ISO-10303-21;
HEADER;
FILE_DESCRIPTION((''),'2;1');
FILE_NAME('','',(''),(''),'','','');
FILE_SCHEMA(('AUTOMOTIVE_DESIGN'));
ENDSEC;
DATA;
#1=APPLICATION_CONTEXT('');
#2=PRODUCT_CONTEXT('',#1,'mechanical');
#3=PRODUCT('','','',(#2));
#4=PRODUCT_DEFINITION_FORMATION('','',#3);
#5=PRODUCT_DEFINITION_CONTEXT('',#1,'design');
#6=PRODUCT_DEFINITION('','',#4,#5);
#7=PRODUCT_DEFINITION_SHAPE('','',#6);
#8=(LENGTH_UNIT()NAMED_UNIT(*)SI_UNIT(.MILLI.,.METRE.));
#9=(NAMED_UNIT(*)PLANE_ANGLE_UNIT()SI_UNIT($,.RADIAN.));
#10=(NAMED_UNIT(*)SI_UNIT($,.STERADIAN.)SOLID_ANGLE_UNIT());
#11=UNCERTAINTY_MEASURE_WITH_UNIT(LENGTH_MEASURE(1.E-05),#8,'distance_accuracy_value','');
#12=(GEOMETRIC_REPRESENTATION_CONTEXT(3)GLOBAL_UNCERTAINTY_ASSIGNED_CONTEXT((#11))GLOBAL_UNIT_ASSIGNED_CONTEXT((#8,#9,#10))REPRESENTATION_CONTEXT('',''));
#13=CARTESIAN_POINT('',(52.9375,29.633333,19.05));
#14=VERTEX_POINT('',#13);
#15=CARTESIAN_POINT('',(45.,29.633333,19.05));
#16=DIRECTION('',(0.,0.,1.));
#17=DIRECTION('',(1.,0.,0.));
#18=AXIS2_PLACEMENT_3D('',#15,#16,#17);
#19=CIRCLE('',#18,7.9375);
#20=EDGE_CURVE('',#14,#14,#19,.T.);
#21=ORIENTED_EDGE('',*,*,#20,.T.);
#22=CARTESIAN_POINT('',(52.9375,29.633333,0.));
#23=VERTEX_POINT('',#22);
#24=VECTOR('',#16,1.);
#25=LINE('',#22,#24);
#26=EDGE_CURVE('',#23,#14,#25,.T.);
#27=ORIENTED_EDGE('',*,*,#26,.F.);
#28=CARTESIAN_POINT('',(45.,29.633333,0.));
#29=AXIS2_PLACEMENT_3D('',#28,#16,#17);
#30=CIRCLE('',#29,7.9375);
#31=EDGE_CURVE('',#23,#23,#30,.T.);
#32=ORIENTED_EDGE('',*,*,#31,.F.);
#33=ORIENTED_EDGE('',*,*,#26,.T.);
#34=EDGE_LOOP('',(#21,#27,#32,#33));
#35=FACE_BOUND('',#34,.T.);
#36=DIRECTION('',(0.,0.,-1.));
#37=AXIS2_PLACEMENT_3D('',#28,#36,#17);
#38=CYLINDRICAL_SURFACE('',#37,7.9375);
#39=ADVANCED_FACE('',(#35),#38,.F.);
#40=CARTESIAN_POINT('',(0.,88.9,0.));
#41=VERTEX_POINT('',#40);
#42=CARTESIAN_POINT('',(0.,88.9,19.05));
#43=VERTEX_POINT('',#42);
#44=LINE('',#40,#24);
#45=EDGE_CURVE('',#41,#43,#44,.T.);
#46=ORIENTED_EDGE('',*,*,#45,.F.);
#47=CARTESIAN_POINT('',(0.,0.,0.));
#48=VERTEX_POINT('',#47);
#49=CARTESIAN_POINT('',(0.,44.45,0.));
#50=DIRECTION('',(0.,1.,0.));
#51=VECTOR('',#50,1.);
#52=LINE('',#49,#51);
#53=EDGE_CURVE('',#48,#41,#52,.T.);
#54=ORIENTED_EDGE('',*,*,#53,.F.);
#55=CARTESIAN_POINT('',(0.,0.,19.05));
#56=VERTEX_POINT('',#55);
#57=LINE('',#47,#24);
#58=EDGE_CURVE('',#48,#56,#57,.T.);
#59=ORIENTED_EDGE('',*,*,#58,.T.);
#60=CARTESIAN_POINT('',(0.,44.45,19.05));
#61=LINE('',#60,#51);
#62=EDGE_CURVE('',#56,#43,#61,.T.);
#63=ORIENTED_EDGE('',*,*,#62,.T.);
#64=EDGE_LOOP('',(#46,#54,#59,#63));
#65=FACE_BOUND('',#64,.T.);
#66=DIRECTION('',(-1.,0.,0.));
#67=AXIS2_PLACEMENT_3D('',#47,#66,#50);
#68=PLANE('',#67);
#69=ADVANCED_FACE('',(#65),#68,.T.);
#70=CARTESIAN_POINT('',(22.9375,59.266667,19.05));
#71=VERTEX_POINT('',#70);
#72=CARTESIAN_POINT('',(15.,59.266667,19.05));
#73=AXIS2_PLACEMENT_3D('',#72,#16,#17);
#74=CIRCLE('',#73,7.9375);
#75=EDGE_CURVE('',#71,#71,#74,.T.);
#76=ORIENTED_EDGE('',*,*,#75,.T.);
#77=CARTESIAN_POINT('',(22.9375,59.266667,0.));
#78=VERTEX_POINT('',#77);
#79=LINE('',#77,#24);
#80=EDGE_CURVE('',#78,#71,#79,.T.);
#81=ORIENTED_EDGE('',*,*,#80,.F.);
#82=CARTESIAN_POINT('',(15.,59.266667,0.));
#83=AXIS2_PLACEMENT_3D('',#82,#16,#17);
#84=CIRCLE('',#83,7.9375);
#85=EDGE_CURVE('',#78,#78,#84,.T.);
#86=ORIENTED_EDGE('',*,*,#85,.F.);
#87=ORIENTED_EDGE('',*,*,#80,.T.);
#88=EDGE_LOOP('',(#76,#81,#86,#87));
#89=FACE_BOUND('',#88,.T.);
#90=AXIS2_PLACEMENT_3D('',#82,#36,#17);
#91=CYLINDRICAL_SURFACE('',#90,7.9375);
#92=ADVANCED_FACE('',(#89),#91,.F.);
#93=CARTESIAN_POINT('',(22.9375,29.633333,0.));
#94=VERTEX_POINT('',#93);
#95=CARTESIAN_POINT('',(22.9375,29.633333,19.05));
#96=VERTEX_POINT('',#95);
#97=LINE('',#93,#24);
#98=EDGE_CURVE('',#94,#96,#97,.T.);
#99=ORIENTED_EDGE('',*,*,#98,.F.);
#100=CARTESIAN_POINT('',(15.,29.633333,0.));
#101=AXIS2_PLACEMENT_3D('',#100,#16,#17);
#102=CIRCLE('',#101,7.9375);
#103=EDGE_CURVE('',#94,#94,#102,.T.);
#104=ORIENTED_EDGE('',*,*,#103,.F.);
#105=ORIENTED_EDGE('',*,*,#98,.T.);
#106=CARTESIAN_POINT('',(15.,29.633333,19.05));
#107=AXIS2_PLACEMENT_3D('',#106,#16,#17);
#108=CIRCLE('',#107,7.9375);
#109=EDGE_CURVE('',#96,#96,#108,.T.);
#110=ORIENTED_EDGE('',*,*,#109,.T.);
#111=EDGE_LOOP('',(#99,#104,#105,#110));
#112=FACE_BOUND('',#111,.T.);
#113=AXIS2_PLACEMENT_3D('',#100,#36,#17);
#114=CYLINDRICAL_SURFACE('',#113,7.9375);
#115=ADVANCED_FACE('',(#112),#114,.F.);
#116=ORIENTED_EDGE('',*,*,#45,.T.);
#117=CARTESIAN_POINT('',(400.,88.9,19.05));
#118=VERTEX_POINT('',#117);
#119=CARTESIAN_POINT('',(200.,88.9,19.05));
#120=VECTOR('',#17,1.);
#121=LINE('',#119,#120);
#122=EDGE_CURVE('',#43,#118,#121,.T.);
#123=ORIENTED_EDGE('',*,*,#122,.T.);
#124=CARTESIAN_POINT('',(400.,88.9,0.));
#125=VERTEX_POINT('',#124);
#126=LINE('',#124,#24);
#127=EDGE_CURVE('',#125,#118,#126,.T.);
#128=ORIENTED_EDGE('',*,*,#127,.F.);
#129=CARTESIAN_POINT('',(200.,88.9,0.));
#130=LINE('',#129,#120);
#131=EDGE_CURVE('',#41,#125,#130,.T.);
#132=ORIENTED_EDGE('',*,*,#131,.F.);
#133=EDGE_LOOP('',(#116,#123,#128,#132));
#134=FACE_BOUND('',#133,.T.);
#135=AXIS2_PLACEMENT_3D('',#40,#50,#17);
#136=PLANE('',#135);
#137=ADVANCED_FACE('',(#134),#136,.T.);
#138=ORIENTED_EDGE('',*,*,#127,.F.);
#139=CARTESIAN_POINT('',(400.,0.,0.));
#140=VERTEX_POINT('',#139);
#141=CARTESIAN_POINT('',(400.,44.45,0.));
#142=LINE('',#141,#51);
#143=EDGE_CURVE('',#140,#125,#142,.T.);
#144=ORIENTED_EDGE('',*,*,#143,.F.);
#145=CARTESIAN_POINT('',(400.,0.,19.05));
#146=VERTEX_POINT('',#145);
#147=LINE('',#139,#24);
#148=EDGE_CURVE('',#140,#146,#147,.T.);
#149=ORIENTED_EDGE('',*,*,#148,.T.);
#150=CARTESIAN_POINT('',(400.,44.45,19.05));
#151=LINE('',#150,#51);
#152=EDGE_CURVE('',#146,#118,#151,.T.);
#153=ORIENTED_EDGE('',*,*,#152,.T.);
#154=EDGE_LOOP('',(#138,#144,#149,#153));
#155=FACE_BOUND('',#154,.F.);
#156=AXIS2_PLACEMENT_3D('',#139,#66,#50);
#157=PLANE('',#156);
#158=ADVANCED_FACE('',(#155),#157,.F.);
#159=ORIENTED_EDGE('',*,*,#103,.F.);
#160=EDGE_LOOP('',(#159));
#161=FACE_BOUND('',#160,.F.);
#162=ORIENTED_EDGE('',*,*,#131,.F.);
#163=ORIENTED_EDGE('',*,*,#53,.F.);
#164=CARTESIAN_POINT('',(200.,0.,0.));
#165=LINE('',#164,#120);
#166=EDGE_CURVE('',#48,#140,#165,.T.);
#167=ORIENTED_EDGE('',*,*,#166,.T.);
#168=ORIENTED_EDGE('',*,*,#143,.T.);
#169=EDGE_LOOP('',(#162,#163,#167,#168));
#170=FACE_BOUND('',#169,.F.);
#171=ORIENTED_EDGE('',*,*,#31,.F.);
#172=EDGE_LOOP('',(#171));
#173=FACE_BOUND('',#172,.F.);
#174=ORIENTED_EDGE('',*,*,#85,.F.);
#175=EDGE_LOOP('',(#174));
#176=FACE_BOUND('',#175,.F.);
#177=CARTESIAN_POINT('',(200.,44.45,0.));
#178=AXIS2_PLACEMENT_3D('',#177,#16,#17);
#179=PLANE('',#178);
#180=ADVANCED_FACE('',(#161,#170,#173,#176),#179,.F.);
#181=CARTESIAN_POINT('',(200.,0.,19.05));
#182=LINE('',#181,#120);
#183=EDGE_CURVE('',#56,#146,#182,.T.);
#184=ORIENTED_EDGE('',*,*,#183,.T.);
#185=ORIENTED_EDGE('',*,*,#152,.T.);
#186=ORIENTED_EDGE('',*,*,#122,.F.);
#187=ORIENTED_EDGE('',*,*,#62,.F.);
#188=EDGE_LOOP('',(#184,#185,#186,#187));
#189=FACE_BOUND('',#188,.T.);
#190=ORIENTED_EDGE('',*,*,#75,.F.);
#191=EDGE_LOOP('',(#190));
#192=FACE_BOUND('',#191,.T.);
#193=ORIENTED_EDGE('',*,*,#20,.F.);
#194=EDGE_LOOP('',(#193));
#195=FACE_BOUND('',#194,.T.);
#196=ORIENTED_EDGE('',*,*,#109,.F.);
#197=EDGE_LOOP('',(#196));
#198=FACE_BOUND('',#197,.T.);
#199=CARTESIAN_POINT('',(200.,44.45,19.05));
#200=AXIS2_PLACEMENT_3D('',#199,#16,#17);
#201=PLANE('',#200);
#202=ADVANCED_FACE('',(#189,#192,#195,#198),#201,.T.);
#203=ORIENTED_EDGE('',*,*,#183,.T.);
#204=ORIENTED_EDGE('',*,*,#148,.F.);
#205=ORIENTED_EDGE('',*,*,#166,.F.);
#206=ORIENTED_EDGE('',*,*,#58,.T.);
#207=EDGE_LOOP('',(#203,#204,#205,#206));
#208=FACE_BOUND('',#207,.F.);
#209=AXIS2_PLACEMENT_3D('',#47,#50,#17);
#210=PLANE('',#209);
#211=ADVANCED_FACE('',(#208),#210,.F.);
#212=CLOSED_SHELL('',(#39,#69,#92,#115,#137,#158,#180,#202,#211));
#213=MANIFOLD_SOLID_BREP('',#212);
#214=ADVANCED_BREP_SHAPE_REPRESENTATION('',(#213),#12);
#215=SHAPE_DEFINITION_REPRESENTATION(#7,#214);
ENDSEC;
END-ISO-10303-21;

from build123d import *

# Parameters (mm, degrees)
SKETCH_W  = 400
SKETCH_H  = 88.9
SKETCH_R  = 7.9375
PAD_DEPTH = 19.05


with BuildPart() as part:
    # Sketch → Pad (new body)
    with BuildSketch(Plane.XY):
        with Locations((200, 44.45)):
            Rectangle(SKETCH_W, SKETCH_H)
        with Locations((15, 29.633333)):
            Circle(SKETCH_R, mode=Mode.SUBTRACT)
        with Locations((45, 29.633333)):
            Circle(SKETCH_R, mode=Mode.SUBTRACT)
        with Locations((15, 59.266667)):
            Circle(SKETCH_R, mode=Mode.SUBTRACT)
    extrude(amount=PAD_DEPTH)


solid = part.part
